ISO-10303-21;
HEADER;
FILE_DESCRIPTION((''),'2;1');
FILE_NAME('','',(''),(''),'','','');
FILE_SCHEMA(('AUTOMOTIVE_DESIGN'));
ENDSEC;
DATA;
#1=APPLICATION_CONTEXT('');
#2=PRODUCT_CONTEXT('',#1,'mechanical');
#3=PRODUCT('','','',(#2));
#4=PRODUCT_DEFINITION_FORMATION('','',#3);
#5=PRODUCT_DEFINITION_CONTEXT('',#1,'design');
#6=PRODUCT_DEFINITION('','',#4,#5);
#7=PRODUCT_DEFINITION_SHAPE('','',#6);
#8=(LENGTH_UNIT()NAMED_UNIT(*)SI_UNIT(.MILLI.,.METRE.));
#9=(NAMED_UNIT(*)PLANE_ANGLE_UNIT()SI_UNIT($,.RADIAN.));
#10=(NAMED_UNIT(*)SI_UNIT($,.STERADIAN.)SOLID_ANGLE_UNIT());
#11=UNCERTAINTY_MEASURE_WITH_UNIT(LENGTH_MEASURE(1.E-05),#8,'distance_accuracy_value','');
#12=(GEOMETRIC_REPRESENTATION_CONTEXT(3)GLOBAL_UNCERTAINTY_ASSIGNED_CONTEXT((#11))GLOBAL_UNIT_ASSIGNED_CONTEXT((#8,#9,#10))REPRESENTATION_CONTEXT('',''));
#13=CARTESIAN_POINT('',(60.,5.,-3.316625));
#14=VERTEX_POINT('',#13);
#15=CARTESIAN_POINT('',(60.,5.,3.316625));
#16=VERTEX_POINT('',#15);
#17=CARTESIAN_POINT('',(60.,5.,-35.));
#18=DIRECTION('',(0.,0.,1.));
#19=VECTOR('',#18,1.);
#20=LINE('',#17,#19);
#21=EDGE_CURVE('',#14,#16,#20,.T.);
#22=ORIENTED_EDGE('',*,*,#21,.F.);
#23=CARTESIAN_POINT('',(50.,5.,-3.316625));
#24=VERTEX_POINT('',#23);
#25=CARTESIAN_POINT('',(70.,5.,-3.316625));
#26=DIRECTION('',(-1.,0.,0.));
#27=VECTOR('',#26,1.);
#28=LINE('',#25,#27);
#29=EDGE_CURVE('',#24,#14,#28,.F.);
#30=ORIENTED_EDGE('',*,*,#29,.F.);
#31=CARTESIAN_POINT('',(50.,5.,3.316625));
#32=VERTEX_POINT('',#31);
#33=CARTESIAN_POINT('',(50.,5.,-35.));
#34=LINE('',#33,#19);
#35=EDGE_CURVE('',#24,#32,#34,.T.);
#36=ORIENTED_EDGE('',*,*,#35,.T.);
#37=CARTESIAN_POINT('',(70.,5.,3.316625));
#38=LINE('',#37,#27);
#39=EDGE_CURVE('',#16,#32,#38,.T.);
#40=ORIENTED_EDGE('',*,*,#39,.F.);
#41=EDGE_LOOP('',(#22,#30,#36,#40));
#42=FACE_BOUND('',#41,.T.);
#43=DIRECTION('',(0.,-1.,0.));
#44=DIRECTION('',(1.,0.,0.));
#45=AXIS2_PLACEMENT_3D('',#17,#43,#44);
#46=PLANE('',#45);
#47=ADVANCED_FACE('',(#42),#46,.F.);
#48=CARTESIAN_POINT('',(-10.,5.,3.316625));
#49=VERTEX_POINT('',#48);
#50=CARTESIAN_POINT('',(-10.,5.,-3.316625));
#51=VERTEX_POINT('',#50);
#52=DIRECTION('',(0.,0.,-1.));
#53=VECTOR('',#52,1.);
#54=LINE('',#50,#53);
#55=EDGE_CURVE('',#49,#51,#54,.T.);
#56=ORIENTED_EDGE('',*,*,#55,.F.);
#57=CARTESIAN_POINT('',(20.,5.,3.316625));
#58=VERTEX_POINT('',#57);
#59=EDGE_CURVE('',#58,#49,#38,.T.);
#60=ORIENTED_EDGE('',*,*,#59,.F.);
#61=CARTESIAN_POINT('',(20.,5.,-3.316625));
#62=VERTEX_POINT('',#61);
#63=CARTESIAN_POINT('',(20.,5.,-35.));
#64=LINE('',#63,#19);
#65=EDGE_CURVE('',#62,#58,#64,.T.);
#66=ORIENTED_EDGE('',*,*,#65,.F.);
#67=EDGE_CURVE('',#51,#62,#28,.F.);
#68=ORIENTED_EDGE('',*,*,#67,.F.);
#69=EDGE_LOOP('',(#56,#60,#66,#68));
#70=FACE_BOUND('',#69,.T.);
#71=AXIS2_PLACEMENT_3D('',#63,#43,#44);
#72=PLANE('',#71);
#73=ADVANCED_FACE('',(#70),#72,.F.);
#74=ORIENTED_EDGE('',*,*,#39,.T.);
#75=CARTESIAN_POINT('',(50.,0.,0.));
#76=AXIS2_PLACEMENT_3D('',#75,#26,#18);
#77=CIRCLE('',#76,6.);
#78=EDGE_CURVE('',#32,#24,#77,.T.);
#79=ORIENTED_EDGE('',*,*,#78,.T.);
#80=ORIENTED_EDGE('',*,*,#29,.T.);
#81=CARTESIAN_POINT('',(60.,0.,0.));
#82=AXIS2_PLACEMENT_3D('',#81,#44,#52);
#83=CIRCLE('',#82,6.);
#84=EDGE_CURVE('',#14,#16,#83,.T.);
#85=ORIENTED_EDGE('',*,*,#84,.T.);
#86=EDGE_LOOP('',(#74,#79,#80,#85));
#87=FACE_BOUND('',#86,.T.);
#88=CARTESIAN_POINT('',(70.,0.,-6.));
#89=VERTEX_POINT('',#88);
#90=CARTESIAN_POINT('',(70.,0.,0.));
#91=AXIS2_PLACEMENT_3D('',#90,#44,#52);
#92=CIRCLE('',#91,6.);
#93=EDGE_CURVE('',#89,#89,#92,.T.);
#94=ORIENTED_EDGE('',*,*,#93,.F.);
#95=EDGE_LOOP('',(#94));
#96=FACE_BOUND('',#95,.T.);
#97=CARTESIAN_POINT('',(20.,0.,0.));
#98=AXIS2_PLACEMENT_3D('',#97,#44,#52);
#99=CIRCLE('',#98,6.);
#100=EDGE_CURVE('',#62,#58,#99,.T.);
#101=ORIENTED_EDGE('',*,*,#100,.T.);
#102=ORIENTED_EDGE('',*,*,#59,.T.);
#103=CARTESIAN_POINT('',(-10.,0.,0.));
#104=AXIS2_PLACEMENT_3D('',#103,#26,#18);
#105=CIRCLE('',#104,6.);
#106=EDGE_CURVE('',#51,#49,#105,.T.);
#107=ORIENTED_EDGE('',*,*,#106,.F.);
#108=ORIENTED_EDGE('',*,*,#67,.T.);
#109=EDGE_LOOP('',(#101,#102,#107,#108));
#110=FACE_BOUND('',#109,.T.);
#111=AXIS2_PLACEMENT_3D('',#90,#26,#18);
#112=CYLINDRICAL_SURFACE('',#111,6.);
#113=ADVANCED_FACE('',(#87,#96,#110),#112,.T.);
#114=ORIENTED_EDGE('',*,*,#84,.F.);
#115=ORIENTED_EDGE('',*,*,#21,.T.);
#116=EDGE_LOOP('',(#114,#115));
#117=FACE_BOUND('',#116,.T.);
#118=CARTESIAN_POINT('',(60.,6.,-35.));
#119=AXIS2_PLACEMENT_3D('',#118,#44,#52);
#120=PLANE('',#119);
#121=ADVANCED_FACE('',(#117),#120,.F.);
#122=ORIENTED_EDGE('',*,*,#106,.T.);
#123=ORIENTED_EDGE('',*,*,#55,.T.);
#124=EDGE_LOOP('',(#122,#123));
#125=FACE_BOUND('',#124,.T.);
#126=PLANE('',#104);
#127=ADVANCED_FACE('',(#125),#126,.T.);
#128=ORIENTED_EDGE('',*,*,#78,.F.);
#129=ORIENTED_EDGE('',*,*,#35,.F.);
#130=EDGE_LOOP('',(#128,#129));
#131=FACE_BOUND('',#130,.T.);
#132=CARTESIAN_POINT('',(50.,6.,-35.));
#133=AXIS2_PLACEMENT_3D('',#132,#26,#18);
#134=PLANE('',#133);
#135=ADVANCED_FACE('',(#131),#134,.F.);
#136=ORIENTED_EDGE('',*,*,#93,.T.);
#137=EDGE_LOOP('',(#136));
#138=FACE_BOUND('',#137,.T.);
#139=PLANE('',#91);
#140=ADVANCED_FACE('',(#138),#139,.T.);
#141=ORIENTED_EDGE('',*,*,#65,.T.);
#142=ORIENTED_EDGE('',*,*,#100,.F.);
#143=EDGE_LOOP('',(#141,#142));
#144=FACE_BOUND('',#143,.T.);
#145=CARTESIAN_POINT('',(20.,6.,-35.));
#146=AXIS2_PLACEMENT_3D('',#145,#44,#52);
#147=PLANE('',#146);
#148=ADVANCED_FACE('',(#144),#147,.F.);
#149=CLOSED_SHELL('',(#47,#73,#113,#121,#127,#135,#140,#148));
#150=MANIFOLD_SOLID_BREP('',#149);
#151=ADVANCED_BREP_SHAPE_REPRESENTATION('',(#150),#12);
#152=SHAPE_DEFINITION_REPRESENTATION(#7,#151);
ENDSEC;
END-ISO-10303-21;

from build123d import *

# Parameters (mm, degrees)
SKETCH_1_R          = 6
EXTRUDE_1_DEPTH     = 70
SKETCH_2_W          = 10
SKETCH_2_H          = 1
SKETCH_2_W_2        = 20
CUT_EXTRUDE_1_DEPTH = 35
EXTRUDE_2_DEPTH     = 10


with BuildPart() as part:
    # 草图1 → 凸台-拉伸1 (new body)
    with BuildSketch(Plane(origin=(0, 0, 0), x_dir=(0, 0, -1), z_dir=(1, 0, 0))):
        Circle(SKETCH_1_R)
    extrude(amount=EXTRUDE_1_DEPTH)

    # 草图2 → 切除-拉伸1 (cut, symmetric)
    with BuildSketch(Plane.XY):
        with Locations((55, 5.5)):
            Rectangle(SKETCH_2_W, SKETCH_2_H)
        with Locations((10, 5.5)):
            Rectangle(SKETCH_2_W_2, SKETCH_2_H)
    extrude(amount=CUT_EXTRUDE_1_DEPTH, both=True, mode=Mode.SUBTRACT)

    # 草图3 → 凸台-拉伸2 (add)
    with BuildSketch(Plane.ZY):
        with BuildLine():
            Line((-3.31662479, 5), (3.31662479, 5))
            ThreePointArc((3.31662479, 5), (0, -6), (-3.31662479, 5))
        make_face()
    extrude(amount=EXTRUDE_2_DEPTH)


solid = part.part
